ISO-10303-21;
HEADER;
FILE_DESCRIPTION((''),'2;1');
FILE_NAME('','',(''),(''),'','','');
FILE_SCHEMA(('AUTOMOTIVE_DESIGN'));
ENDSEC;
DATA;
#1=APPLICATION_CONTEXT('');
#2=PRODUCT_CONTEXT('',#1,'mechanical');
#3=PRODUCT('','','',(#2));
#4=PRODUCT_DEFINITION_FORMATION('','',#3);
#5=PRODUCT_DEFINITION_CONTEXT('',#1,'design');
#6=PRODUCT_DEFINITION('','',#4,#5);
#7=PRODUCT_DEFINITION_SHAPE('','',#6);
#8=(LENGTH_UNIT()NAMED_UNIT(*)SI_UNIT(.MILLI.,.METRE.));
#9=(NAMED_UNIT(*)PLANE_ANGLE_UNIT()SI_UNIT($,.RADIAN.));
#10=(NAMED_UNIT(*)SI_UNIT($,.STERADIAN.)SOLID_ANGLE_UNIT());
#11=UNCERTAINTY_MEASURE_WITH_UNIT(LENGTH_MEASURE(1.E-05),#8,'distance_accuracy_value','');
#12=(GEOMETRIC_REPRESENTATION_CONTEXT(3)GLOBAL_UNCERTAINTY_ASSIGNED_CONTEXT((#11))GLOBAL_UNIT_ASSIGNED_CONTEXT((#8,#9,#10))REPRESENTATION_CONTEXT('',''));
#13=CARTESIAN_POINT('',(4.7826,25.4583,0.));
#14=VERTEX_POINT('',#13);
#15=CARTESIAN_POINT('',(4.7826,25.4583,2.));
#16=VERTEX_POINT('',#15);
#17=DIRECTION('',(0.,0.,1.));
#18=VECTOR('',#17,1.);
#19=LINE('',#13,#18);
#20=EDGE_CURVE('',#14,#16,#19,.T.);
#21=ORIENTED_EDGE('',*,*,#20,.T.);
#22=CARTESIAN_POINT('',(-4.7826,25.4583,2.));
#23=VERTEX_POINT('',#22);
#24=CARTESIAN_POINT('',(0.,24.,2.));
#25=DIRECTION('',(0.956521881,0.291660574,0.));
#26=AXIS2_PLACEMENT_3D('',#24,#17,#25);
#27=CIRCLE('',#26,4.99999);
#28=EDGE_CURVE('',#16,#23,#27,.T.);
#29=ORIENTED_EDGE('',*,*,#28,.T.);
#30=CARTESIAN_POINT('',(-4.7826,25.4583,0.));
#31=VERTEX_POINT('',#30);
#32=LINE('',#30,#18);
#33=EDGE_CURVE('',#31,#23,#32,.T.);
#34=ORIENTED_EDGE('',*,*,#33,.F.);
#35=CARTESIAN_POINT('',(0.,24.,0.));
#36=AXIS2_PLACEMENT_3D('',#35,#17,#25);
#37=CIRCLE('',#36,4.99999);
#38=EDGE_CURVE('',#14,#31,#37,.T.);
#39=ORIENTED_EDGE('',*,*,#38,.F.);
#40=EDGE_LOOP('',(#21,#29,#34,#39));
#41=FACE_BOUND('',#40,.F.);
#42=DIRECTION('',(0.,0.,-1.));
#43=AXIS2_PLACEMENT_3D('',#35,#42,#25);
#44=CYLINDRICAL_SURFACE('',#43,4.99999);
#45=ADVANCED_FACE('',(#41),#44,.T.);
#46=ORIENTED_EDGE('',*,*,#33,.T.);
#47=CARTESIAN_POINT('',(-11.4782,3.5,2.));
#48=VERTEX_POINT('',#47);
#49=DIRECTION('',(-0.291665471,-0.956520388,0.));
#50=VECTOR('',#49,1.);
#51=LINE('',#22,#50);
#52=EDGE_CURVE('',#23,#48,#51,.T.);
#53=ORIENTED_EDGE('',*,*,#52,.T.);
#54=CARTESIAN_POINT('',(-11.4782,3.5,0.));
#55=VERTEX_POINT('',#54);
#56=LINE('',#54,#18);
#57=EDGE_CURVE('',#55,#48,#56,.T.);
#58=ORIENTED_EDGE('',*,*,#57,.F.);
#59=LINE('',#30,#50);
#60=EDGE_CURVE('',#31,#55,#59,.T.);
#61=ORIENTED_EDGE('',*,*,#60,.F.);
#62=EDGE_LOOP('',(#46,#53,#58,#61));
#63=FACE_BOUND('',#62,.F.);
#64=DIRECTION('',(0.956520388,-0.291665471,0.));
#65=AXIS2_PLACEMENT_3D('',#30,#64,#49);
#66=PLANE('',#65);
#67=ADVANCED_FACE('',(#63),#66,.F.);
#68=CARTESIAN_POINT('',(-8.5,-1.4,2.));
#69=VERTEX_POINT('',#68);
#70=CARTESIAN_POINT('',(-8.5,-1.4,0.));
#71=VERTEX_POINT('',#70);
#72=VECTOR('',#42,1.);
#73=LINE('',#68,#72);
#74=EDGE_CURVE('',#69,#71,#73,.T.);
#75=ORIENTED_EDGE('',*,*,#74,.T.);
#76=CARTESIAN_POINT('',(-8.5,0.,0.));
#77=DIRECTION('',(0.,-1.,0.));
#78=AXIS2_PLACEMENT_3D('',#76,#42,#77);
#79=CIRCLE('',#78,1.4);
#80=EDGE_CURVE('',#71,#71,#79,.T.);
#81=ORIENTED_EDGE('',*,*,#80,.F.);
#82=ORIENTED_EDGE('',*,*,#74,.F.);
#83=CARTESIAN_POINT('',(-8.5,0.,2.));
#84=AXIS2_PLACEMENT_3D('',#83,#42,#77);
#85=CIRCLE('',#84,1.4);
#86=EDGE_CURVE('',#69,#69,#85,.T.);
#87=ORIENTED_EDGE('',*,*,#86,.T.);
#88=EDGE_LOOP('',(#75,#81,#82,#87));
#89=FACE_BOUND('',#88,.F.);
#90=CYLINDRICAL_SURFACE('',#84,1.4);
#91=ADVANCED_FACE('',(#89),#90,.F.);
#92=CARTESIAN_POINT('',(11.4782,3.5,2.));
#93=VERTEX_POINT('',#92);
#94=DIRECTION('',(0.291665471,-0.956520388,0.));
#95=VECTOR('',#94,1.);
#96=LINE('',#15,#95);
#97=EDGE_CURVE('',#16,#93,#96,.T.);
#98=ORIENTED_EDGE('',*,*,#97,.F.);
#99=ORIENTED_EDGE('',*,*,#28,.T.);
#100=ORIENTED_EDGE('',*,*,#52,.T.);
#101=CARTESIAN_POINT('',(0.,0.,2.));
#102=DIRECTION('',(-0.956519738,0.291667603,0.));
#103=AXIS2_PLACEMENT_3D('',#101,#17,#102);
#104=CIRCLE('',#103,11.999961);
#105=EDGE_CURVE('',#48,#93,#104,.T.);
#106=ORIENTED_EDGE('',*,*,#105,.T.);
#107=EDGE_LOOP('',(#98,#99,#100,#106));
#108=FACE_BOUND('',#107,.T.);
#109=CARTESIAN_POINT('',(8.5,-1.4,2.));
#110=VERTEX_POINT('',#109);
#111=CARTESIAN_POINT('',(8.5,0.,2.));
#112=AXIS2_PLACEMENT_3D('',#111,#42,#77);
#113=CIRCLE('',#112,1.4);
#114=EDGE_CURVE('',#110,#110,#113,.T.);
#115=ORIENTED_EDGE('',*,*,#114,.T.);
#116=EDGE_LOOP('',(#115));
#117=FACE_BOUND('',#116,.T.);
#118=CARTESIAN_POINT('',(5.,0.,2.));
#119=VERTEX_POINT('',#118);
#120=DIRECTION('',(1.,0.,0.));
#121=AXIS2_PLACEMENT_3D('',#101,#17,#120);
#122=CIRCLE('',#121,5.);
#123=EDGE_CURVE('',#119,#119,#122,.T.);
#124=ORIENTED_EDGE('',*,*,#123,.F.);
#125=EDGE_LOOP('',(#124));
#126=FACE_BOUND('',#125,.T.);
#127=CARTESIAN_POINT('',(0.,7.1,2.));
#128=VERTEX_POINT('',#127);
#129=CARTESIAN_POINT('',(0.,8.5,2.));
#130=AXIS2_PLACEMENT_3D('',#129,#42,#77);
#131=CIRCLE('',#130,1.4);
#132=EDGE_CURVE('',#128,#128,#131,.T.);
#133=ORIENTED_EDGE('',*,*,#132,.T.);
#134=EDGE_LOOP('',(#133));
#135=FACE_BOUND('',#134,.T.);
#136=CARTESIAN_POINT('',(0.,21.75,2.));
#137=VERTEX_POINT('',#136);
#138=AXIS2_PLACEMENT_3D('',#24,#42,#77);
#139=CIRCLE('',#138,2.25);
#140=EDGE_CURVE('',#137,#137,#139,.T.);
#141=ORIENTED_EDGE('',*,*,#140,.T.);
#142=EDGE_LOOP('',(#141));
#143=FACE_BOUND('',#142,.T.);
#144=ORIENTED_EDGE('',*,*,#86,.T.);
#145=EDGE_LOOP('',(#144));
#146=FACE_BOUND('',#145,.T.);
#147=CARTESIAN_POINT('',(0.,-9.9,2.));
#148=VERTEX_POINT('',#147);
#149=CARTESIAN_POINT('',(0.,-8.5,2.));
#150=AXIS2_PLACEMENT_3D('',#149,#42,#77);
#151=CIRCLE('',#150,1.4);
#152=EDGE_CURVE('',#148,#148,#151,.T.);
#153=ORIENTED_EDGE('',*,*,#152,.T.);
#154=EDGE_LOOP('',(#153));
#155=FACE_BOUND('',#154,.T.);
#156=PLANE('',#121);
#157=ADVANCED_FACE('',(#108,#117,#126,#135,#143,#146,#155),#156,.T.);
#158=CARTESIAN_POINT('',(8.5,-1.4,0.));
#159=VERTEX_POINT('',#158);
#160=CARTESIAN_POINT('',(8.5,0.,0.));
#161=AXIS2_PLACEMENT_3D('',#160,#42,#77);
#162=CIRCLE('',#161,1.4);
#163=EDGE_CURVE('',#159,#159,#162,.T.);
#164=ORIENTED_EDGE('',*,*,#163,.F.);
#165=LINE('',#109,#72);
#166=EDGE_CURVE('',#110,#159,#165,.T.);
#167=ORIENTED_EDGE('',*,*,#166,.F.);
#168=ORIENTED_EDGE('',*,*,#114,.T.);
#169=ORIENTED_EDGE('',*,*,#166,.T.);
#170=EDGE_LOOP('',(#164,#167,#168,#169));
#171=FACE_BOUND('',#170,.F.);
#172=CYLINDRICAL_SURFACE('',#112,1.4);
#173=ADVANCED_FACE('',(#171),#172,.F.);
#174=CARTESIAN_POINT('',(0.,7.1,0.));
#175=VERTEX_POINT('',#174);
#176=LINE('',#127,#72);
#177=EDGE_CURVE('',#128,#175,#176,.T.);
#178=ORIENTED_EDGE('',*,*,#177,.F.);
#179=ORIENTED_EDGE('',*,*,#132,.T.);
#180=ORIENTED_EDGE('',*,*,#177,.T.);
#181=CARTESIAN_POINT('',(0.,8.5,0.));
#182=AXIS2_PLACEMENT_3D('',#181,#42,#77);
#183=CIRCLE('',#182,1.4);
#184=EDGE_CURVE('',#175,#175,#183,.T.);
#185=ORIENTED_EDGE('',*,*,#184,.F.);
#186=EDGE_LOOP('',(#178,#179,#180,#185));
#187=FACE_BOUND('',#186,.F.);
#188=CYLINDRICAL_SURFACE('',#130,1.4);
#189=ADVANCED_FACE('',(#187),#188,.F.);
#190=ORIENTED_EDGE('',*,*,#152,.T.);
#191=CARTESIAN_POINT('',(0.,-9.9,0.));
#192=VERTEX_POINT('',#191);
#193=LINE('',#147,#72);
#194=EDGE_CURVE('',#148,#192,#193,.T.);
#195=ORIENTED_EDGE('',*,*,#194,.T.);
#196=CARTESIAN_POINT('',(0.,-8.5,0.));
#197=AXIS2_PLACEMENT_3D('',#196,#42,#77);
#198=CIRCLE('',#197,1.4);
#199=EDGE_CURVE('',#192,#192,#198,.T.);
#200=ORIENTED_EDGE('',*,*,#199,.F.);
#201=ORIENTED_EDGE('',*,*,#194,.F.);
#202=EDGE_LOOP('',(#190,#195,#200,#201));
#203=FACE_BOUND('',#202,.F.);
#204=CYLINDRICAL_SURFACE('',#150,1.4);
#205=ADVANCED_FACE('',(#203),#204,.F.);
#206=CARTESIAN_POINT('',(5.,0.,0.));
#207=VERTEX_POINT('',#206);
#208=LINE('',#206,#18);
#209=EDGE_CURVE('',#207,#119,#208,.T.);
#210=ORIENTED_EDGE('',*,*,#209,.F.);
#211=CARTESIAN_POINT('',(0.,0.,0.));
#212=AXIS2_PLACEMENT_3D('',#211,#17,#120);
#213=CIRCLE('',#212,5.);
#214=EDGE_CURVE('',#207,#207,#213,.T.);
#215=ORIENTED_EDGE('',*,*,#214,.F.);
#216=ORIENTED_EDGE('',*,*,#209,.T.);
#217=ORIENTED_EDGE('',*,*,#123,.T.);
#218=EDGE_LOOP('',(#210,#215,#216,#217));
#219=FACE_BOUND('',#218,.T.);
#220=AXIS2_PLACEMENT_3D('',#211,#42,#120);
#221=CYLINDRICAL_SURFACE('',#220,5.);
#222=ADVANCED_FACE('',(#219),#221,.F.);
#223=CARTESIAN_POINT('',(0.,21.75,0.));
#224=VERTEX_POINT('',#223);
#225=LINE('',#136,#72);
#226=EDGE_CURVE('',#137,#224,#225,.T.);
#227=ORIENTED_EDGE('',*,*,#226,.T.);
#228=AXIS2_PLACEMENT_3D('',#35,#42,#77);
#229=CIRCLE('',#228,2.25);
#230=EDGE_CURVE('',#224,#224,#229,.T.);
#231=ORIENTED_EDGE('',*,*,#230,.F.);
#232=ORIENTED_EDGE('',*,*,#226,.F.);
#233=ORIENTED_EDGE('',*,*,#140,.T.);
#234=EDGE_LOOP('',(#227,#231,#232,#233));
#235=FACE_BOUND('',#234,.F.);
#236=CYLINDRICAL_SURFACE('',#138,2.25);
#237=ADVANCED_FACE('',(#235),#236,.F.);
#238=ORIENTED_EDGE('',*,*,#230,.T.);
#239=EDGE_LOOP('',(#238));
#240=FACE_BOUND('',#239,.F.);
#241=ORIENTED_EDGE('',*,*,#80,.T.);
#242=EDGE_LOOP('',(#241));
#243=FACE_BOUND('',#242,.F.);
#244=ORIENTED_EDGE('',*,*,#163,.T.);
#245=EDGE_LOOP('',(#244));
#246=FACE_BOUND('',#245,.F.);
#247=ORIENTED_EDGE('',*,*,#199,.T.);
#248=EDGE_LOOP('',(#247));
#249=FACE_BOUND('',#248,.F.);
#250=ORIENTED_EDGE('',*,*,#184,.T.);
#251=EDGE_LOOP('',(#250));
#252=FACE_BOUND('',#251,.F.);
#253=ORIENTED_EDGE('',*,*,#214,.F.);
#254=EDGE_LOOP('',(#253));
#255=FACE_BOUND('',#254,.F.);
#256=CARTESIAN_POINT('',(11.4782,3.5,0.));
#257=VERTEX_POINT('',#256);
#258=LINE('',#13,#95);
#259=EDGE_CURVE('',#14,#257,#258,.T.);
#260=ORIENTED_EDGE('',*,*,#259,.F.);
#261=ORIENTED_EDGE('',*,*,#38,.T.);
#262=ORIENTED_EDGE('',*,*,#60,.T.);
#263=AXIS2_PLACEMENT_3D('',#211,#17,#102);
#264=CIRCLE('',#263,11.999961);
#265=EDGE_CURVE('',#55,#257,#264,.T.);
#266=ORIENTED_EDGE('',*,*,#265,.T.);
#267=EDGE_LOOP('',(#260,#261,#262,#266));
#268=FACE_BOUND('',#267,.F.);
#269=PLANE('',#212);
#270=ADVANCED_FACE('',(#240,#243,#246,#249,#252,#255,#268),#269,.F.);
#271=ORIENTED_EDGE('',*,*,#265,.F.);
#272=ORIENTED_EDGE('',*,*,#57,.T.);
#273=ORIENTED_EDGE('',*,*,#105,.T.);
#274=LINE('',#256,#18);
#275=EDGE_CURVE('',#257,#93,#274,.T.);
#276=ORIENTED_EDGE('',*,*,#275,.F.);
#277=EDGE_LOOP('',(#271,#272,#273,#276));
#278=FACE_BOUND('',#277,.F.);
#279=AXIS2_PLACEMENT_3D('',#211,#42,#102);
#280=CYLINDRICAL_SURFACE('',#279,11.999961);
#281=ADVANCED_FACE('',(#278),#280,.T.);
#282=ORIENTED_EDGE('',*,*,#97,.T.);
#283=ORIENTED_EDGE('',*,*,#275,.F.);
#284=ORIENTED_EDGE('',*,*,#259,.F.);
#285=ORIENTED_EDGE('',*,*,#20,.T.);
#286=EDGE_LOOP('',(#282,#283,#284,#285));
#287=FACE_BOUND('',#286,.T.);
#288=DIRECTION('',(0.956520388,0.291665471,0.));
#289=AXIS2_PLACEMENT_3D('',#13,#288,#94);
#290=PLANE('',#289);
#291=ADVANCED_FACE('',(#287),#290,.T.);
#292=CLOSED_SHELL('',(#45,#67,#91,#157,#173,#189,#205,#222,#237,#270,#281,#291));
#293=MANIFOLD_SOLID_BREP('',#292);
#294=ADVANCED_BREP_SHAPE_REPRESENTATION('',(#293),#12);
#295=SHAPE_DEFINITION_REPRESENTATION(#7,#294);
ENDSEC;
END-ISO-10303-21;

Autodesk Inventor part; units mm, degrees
ref_plane "YZ Plane" through (0, 0, 0) normal (1, 0, 0) x (0, 1, 0)
ref_plane "XZ Plane" through (0, 0, 0) normal (0, 1, 0) x (-1, 0, 0)
ref_plane "XY Plane" through (0, 0, 0) normal (0, 0, 1) x (1, 0, 0)
sketch "スケッチ1" plane through (0, 0, 0) normal (0, 0, 1) x (1, 0, 0)
  circle A0 centre (0, 0) radius 5
  arc A1 (-11.4782, 3.5) -> (11.4782, 3.5) centre (0, 0) ccw
  arc A2 (4.7826, 25.4583) -> (-4.7826, 25.4583) centre (0, 24) ccw
  line L0 (-4.7826, 25.4583) -> (-11.4782, 3.5)
  line L1 (4.7826, 25.4583) -> (11.4782, 3.5)
  dimension "d0" = 10
  dimension "d1" = 24
  dimension "d2" = 10
  dimension "d3" = 24
extrude "押し出し1" add sketch "スケッチ1" along normal blind 2
sketch "スケッチ2" plane through (0, 0, 2) normal (0, 0, 1) x (1, 0, 0)
  line L0 (0, 0) -> (12, 0) construction
  arc A0 (-11.4782, 3.5) -> (11.4782, 3.5) centre (0, 0) ccw projected
  line L1 (0, 0) -> (0, 12) construction
  line L2 (0, 0) -> (-12, 0) construction
  line L3 (0, 0) -> (0, -12) construction
  point P0 (8.5, 0)
  point P1 (0, 8.5)
  point P2 (-8.5, 0)
  point P3 (0, -8.5)
  dimension "d6" = 8.5
  dimension "d9" = 360
hole "穴1" at (8.5, 0, 2) at (0, 8.5, 2) at (-8.5, 0, 2) at (0, -8.5, 2) direction (0, 0, -1) diameter 2.8 end through all
sketch "スケッチ3" plane through (0, 0, 2) normal (0, 0, 1) x (1, 0, 0)
  arc A0 (4.7826, 25.4583) -> (-4.7826, 25.4583) centre (0, 24) ccw projected
  point P0 (0, 0)
hole "穴2" at (0, 24, 2) direction (0, 0, -1) diameter 4.5 end through all
properties part number "lever"
